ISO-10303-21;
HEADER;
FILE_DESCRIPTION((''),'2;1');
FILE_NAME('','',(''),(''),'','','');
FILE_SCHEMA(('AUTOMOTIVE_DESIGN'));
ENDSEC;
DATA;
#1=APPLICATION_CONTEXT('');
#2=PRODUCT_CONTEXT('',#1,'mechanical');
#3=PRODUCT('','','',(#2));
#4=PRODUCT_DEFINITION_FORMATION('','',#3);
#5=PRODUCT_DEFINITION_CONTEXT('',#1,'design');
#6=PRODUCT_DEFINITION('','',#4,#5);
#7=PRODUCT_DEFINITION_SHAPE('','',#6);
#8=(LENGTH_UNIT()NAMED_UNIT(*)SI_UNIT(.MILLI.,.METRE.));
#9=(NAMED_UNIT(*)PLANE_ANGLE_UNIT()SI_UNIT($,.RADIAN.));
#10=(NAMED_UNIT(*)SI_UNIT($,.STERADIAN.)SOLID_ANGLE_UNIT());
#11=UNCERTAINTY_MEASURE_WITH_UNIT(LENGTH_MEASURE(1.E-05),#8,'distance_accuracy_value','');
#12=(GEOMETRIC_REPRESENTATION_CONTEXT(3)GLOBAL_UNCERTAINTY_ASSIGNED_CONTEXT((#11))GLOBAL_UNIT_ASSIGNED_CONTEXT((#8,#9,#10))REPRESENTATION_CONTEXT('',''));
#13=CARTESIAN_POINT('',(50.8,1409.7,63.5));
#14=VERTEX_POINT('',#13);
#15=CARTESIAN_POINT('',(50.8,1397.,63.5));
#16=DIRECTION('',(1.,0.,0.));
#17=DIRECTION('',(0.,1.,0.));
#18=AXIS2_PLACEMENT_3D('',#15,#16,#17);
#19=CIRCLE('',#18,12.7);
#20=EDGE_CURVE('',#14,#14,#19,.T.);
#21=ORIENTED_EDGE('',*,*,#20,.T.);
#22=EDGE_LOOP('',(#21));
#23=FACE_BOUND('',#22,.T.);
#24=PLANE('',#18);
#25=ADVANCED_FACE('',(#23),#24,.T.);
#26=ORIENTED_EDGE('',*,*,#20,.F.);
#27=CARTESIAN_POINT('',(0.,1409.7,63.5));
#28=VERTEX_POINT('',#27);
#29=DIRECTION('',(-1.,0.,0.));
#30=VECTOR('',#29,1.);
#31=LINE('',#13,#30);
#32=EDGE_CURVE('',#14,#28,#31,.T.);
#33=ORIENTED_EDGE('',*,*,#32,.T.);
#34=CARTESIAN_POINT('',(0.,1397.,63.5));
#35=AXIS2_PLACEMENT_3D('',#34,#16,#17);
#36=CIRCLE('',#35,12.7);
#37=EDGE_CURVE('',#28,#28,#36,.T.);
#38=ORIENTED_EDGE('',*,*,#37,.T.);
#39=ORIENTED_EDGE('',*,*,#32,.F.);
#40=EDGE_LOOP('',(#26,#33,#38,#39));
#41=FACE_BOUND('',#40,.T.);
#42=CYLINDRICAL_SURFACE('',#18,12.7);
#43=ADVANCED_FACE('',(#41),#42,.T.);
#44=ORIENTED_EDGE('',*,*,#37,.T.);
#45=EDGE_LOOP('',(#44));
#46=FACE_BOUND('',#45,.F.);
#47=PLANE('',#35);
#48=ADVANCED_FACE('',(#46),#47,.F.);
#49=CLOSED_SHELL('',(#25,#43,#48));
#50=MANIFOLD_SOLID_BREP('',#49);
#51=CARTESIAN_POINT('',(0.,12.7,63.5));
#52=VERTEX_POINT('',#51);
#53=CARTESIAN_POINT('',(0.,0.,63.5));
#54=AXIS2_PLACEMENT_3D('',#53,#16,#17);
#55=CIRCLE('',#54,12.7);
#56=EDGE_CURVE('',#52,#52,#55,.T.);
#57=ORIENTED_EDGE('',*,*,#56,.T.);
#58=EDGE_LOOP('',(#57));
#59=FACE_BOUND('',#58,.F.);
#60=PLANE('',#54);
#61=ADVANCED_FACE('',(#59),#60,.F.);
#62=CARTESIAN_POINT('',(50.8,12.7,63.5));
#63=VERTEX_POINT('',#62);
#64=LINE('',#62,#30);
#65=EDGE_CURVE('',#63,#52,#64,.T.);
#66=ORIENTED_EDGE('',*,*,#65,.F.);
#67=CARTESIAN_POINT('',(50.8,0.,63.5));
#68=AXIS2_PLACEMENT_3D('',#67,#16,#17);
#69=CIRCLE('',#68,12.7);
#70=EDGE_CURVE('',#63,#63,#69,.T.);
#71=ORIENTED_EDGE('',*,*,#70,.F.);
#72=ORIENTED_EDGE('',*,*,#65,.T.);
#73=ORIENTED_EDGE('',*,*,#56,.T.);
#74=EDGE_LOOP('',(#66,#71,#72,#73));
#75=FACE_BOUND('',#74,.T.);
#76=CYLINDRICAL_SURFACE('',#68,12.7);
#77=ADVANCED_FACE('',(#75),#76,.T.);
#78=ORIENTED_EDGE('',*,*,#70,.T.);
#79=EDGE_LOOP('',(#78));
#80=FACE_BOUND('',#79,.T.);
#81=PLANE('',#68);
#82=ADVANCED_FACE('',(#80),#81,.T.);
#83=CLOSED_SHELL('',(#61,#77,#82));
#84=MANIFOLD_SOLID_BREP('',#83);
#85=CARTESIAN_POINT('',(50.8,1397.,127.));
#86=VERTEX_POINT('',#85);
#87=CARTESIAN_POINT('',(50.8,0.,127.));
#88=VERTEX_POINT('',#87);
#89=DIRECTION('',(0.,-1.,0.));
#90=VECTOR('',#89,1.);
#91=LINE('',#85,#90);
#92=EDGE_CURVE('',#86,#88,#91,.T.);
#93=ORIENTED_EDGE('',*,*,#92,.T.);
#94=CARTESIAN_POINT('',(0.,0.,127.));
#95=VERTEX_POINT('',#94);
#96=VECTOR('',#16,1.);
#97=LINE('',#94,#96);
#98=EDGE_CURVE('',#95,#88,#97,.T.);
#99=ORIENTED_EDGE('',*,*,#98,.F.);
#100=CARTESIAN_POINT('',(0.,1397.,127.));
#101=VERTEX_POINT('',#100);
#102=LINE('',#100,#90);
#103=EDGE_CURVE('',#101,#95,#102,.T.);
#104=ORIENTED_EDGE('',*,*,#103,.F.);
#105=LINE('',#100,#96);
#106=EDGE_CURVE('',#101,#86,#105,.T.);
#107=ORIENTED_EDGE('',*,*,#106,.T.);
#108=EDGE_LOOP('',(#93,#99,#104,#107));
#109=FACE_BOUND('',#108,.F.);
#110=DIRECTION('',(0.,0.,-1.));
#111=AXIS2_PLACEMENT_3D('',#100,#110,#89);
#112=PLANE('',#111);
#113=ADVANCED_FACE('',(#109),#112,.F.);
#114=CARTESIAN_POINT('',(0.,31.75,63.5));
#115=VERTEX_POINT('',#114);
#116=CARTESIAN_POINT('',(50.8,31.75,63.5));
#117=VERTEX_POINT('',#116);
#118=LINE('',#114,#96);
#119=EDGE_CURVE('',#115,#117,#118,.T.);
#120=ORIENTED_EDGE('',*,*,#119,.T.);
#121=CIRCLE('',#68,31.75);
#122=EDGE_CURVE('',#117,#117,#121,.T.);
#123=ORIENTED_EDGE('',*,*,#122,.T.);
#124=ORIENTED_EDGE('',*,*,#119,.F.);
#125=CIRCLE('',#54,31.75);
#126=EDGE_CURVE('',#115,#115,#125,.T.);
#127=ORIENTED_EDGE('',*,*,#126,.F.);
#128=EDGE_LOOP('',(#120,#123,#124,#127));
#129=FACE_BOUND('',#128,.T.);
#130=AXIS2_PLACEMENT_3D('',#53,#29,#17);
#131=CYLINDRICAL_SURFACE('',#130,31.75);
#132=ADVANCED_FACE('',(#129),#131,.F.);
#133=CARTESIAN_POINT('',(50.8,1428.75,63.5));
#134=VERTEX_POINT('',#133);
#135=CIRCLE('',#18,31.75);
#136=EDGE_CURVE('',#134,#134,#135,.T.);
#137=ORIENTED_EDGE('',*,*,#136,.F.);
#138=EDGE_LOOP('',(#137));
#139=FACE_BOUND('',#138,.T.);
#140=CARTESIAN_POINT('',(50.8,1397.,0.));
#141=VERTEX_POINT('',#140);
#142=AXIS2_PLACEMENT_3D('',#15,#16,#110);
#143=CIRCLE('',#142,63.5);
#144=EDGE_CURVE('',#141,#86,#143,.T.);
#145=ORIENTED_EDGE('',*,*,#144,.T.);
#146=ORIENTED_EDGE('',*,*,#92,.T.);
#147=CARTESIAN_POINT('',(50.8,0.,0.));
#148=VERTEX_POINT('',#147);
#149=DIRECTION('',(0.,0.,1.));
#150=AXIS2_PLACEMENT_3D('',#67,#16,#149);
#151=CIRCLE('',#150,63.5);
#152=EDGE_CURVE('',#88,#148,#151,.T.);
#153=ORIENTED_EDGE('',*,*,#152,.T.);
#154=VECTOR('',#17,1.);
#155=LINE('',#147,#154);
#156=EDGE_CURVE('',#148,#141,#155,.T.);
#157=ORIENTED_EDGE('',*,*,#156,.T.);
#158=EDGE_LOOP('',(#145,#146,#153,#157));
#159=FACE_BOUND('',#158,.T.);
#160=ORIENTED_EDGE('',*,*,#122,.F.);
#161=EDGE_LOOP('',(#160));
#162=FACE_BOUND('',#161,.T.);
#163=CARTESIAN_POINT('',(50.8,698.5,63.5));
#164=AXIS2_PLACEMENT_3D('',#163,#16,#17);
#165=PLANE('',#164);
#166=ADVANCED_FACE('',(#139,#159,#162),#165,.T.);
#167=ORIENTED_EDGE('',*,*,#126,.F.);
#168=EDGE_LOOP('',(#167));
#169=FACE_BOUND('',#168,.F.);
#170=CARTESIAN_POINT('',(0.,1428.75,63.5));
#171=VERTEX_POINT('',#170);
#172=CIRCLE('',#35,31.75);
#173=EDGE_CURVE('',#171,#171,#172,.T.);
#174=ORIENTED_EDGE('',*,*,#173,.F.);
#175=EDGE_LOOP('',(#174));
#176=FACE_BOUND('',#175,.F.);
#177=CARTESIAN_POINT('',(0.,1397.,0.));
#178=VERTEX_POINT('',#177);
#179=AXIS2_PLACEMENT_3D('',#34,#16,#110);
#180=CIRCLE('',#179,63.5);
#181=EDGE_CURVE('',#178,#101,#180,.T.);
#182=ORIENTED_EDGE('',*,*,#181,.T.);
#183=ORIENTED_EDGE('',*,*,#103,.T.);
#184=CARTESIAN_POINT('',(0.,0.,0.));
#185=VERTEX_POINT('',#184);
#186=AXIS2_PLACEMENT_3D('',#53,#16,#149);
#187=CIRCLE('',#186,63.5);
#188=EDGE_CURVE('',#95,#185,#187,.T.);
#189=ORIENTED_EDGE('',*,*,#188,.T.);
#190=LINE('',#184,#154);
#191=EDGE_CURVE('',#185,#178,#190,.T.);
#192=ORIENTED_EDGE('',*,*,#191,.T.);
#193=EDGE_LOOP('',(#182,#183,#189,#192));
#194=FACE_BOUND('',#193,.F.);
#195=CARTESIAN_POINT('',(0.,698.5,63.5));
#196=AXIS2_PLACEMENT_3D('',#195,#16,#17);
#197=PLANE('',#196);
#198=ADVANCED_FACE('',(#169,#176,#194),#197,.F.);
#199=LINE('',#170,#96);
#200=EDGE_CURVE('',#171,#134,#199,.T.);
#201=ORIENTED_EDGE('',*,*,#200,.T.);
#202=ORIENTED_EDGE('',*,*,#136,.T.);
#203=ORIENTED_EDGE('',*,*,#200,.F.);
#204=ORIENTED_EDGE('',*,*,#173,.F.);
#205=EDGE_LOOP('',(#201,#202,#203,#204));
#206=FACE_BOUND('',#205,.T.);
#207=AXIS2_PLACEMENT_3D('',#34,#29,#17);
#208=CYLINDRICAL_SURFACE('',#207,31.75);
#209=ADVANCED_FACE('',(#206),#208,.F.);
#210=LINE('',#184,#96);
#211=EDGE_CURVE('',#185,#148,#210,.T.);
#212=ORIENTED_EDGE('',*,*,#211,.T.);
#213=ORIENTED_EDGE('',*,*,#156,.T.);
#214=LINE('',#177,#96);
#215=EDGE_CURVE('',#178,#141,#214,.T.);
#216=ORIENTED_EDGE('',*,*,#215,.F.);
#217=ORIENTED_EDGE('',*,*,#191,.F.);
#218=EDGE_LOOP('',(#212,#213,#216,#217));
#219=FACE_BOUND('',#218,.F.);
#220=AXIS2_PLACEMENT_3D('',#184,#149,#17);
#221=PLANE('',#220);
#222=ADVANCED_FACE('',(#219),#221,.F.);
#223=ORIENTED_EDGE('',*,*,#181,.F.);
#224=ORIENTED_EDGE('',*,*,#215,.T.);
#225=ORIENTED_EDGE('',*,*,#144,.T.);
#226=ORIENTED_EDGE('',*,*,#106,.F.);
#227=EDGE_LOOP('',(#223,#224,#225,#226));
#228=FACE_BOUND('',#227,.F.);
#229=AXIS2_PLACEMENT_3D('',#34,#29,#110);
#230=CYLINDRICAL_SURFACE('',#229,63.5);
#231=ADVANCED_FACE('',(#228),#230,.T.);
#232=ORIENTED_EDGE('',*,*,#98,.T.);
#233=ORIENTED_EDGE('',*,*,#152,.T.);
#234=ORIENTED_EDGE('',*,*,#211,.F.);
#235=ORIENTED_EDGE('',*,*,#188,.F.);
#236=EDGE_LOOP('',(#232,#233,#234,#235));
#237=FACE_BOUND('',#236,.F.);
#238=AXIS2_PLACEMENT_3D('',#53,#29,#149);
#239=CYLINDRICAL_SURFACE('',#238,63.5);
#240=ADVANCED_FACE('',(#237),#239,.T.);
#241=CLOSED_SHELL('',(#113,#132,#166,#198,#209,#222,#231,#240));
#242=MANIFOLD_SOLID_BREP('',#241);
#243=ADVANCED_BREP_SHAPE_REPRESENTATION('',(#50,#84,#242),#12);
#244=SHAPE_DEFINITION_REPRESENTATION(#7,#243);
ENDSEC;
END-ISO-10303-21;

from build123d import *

# Parameters (mm, degrees)
F0_R     = 31.75
F1_DEPTH = 50.8
F2_R     = 12.7
F3_DEPTH = 50.8


with BuildPart() as f1:
    # F0 (on Right) → F1 (new body)
    with BuildSketch(Plane.YZ):
        with BuildLine():
            ThreePointArc((0, 127), (-63.5, 63.5), (0, 0))
            Line((0, 0), (1397, 0))
            ThreePointArc((1397, 0), (1460.5, 63.5), (1397, 127))
            Line((1397, 127), (0, 127))
        make_face()
        with Locations((0, 63.5)):
            Circle(F0_R, mode=Mode.SUBTRACT)
        with Locations((1397, 63.5)):
            Circle(F0_R, mode=Mode.SUBTRACT)
    extrude(amount=F1_DEPTH)


with BuildPart() as f3:
    # F2 (on face) → F3 (new body)
    with BuildSketch(Plane.YZ.offset(50.8)):
        with Locations((0, 63.5)):
            Circle(F2_R)
        with Locations((1397, 63.5)):
            Circle(F2_R)
    extrude(amount=-F3_DEPTH)


solid = Compound([f1.part, f3.part])
